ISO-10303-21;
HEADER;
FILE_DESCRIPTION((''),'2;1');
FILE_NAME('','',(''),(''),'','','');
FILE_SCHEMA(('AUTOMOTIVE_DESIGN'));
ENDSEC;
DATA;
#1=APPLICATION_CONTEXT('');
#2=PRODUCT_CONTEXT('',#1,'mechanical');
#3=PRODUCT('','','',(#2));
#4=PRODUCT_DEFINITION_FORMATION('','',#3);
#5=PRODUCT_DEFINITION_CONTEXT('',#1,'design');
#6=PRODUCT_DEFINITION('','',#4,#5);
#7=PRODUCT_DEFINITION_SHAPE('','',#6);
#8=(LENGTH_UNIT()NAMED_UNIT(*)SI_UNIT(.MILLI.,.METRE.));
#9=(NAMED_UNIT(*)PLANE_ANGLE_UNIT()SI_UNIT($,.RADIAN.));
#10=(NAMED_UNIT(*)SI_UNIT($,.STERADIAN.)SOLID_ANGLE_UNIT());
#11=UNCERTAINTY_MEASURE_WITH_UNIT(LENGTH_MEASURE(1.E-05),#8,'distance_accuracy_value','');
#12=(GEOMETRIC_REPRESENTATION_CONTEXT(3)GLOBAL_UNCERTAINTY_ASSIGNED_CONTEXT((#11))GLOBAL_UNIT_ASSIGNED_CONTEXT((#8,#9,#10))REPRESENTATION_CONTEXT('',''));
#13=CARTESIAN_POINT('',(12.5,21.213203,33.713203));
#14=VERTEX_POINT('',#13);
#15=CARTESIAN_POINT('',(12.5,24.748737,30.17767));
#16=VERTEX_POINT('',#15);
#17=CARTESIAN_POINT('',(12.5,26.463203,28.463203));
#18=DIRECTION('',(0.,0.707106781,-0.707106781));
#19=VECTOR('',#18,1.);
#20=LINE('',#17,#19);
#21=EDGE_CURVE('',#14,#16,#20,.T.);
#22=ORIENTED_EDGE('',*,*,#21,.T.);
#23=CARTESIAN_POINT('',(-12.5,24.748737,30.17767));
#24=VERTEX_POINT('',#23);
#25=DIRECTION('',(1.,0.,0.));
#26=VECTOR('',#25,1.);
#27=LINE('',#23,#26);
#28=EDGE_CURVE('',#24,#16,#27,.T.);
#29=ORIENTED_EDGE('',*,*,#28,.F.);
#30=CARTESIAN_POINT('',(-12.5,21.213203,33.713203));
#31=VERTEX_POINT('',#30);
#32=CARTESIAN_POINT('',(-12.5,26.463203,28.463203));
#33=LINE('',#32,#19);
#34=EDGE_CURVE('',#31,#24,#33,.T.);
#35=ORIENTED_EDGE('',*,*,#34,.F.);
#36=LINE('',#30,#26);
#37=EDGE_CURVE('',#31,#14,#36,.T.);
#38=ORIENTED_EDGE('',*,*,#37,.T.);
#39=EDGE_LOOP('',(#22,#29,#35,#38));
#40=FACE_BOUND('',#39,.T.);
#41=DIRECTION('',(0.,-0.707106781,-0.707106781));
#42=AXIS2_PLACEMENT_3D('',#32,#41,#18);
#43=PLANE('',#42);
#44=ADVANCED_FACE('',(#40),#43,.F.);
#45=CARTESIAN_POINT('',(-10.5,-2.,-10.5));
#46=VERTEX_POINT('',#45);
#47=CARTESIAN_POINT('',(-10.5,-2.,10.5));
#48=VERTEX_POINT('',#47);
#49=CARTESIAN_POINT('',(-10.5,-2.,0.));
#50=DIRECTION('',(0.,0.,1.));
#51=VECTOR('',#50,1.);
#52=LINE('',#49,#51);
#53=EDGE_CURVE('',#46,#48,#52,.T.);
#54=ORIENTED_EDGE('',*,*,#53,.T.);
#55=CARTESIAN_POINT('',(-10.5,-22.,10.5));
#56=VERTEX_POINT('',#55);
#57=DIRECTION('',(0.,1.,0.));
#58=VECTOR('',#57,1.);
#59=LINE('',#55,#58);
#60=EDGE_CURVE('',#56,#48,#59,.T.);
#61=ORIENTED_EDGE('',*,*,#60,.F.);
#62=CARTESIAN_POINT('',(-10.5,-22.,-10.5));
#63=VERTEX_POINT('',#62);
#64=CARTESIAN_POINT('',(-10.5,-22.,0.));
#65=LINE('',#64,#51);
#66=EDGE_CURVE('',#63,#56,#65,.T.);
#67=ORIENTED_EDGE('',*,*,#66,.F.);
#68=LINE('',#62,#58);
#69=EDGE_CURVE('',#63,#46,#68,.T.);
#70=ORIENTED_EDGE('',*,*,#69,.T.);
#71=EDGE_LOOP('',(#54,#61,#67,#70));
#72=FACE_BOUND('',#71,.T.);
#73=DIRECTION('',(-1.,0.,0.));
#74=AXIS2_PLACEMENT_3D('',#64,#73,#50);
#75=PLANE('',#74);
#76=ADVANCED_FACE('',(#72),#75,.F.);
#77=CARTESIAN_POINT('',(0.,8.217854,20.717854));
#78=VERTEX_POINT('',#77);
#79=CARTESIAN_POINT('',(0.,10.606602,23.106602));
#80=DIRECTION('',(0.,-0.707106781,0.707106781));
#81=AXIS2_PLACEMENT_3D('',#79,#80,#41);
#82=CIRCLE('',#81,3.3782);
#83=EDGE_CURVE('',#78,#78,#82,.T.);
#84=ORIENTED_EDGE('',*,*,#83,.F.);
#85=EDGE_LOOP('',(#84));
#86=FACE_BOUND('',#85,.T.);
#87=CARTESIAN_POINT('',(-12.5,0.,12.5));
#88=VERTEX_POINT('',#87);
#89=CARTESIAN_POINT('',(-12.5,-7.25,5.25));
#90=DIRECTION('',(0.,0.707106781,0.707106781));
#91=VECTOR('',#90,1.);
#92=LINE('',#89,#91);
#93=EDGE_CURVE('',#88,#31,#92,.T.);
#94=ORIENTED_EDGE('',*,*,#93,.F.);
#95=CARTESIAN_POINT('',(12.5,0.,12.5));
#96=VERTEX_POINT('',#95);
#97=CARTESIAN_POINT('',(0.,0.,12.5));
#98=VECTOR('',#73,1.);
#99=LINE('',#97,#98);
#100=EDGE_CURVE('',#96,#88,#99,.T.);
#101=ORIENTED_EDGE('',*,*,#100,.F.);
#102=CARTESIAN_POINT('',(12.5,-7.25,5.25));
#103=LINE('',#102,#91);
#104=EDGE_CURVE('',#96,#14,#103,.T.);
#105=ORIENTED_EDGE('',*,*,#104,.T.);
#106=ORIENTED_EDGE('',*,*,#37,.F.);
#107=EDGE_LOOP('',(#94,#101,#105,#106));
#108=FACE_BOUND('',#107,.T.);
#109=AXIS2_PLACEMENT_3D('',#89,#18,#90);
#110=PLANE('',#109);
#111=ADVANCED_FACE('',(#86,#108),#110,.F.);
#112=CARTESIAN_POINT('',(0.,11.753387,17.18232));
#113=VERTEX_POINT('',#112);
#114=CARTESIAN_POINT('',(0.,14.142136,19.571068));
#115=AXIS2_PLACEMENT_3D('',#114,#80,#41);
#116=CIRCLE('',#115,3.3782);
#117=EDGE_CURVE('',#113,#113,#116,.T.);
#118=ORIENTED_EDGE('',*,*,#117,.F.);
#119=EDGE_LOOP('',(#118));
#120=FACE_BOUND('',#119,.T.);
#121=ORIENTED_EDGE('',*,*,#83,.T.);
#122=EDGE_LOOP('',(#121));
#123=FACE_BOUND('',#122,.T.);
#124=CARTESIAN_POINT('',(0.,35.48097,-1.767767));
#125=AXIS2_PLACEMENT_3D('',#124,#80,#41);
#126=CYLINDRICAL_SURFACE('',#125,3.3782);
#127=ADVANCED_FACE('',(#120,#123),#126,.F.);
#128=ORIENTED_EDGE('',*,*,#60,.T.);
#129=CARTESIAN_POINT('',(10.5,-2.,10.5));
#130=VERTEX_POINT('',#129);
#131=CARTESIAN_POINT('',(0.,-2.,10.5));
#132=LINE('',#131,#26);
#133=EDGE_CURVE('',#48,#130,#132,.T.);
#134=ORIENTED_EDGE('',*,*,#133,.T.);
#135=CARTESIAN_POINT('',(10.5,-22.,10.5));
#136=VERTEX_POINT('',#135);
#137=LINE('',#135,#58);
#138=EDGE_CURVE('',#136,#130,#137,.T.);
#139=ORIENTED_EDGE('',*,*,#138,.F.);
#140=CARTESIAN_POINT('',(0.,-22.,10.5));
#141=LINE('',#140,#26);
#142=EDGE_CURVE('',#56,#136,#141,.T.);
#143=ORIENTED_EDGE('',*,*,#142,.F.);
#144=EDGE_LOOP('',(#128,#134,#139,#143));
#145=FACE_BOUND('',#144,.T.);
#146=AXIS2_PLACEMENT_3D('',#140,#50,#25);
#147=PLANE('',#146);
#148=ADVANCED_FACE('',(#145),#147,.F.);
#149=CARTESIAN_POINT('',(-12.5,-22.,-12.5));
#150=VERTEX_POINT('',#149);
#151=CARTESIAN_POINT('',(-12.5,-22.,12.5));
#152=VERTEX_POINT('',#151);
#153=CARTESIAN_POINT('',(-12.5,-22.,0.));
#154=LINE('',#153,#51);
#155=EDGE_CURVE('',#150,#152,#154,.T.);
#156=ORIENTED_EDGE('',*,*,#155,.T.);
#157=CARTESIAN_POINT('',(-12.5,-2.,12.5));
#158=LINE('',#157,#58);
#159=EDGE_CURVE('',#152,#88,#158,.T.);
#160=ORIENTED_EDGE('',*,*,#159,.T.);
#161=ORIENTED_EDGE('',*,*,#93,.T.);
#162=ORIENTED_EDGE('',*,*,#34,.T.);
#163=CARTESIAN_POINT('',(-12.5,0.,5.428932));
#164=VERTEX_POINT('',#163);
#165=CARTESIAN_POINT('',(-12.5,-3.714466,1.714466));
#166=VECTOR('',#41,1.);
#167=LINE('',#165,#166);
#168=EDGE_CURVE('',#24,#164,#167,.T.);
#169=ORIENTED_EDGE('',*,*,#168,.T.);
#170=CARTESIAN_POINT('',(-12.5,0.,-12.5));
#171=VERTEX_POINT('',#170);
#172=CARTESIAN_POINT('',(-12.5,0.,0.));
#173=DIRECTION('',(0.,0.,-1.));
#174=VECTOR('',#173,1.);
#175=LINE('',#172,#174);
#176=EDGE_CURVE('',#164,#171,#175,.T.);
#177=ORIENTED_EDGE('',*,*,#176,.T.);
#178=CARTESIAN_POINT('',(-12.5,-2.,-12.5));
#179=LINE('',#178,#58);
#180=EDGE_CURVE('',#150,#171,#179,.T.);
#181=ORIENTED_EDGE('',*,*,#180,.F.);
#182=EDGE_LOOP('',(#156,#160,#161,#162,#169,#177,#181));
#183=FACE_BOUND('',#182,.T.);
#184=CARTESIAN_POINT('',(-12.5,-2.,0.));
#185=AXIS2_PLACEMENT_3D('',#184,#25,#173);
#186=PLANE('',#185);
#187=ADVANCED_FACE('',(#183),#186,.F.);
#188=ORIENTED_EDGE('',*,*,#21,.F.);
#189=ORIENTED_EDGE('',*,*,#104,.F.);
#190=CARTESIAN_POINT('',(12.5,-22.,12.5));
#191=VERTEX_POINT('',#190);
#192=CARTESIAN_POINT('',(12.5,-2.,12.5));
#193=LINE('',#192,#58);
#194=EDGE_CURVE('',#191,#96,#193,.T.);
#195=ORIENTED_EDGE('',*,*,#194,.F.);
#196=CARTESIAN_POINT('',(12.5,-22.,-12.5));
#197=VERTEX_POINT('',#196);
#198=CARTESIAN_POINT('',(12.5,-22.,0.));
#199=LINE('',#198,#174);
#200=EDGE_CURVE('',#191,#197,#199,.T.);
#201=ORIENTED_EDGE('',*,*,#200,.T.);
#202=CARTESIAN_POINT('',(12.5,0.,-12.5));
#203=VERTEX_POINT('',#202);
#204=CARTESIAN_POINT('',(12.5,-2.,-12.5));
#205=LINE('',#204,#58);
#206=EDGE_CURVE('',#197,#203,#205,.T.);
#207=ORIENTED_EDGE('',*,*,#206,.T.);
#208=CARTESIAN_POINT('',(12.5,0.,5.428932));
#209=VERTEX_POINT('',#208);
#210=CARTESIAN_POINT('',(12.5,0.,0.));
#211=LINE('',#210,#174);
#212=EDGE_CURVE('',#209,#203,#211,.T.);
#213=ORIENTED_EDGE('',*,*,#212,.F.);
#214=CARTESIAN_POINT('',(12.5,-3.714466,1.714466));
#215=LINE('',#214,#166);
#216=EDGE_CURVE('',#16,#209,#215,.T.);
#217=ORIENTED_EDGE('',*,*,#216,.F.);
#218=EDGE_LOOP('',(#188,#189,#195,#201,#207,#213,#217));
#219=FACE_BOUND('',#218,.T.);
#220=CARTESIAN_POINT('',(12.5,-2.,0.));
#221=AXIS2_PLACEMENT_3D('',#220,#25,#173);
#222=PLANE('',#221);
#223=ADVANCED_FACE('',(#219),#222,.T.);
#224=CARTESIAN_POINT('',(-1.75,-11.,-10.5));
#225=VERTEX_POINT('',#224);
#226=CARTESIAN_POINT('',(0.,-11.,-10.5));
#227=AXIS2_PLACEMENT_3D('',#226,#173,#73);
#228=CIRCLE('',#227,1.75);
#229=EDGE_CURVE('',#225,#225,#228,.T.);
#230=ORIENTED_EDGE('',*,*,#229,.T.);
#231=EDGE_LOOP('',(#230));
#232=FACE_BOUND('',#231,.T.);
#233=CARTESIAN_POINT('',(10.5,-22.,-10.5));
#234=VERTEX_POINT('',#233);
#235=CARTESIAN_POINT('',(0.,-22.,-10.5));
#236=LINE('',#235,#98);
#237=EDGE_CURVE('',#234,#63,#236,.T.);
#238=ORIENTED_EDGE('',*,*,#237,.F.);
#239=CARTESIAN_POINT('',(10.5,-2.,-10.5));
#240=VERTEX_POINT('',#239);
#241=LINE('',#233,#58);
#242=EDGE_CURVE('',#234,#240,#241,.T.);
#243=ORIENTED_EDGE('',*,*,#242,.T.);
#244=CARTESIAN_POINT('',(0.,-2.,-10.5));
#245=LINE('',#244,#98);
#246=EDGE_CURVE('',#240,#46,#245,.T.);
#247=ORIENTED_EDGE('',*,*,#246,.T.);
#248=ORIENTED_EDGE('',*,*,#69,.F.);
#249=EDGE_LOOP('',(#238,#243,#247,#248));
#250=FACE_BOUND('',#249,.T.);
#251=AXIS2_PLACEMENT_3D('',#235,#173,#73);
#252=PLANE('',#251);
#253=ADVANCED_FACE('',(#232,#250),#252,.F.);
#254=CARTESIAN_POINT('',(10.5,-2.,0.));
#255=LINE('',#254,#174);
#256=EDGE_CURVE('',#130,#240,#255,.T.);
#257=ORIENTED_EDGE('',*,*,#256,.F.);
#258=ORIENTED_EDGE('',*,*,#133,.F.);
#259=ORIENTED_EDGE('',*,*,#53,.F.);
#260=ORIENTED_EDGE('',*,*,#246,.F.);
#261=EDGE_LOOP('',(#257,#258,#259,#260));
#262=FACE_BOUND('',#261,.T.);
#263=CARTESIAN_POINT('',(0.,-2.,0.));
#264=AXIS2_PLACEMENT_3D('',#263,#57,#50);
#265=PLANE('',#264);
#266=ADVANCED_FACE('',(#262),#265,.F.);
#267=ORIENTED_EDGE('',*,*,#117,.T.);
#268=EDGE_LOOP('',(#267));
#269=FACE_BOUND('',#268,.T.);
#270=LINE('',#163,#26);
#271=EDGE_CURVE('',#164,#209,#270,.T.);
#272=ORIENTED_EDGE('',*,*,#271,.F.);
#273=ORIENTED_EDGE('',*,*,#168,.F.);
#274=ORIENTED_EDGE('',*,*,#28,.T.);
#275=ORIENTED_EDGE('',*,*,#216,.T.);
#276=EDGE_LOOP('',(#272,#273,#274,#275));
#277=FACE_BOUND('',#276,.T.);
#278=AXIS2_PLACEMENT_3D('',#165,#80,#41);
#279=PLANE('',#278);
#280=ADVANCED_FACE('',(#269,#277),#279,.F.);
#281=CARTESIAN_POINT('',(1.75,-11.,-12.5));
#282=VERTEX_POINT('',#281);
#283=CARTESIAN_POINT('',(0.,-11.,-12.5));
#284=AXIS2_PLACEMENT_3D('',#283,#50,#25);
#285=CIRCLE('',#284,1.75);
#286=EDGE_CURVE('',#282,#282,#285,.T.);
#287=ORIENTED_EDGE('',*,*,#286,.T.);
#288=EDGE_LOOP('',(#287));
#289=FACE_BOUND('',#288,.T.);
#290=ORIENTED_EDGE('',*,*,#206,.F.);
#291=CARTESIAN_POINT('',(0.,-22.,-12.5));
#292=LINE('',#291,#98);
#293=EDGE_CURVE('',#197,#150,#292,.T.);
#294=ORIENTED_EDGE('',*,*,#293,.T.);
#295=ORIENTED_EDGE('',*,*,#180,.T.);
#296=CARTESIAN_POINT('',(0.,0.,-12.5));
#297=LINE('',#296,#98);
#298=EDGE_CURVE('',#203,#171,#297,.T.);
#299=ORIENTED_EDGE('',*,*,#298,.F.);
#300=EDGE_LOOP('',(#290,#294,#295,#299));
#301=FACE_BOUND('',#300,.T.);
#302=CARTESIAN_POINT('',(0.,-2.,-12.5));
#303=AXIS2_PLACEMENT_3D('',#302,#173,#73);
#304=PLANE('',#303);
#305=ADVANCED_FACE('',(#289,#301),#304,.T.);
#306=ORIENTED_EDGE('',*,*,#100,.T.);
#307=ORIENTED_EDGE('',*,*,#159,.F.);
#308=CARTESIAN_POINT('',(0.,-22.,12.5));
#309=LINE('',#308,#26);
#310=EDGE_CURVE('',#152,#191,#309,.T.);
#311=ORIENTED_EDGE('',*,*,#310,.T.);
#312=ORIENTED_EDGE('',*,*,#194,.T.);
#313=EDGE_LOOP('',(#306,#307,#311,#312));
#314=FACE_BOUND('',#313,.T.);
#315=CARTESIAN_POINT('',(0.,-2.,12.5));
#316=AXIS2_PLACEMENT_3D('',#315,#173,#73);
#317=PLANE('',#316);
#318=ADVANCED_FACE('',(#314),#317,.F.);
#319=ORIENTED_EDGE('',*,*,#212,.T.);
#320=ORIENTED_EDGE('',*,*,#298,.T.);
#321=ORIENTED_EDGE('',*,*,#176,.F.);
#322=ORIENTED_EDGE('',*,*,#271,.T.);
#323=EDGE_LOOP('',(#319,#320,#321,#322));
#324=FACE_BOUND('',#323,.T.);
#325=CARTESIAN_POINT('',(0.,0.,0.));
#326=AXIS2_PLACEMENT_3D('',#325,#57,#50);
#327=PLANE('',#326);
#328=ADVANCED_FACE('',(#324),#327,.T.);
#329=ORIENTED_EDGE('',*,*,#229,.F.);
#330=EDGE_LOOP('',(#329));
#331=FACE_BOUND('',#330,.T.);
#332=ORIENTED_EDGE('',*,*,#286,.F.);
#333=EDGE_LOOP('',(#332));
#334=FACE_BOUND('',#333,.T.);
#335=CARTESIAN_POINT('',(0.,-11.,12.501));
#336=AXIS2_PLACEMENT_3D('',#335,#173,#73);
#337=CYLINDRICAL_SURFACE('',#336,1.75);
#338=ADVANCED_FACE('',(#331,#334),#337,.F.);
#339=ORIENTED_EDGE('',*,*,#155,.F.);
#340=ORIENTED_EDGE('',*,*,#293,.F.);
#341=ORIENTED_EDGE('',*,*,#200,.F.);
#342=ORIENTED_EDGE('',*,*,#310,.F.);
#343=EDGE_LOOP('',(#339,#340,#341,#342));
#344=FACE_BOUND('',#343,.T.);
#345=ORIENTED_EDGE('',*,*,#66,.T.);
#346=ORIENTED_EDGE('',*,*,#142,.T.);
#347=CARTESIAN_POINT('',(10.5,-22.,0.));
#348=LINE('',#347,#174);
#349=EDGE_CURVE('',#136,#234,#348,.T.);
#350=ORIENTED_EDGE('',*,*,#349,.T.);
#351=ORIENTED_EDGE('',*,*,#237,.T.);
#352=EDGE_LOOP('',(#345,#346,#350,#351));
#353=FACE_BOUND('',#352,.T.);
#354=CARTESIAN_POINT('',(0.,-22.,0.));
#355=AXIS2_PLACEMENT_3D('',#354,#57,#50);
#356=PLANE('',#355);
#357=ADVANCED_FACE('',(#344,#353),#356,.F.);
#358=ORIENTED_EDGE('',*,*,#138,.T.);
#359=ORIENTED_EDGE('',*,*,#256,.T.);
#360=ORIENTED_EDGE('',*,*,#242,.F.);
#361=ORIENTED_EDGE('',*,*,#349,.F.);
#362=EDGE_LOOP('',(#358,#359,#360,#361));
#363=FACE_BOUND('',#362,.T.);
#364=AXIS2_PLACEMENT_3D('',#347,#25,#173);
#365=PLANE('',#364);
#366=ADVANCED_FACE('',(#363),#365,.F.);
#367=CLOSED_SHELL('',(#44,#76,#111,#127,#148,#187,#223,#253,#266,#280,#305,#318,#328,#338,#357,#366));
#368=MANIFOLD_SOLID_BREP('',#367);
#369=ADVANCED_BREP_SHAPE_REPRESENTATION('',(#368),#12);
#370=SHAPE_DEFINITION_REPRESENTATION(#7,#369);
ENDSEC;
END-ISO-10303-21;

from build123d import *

# Parameters (mm, degrees)
SKETCH1_W           = 25
SKETCH1_H           = 25
SKETCH1_W_2         = 21
SKETCH1_H_2         = 21
BOSS_EXTRUDE1_DEPTH = 2
BOSS_EXTRUDE2_START = -2
SKETCH1_3_W         = 25
SKETCH1_3_H         = 25
SKETCH1_3_W_2       = 21
SKETCH1_3_H_2       = 21
BOSS_EXTRUDE2_DEPTH = 20
CUT_EXTRUDE1_REACH  = 37.57
SKETCH2_R           = 1.75
BOSS_EXTRUDE3_START = 12.5
BOSS_EXTRUDE3_DEPTH = 25
SKETCH4_R           = 3.3782
CUT_EXTRUDE2_DEPTH  = 44.259672441


with BuildPart() as part:
    # Sketch1 → Boss-Extrude1 (new body)
    # profile 1 of 2: a face of its own
    with BuildSketch(Plane(origin=(0, 0, 0), x_dir=(1, 0, 0), z_dir=(0, 1, 0))):
        Rectangle(SKETCH1_W, SKETCH1_H)
        Rectangle(SKETCH1_W_2, SKETCH1_H_2, mode=Mode.SUBTRACT)
    # profile 2 of 2: a face of its own
    with BuildSketch(Plane(origin=(0, 0, 0), x_dir=(1, 0, 0), z_dir=(0, 1, 0))):
        Rectangle(SKETCH1_W_2, SKETCH1_H_2)
    extrude(amount=-BOSS_EXTRUDE1_DEPTH)

    # Sketch1<3> → Boss-Extrude2 (add)
    with BuildSketch(Plane(origin=(0, 0, 0), x_dir=(1, 0, 0), z_dir=(0, 1, 0)).offset(BOSS_EXTRUDE2_START)):
        Rectangle(SKETCH1_3_W, SKETCH1_3_H)
        Rectangle(SKETCH1_3_W_2, SKETCH1_3_H_2, mode=Mode.SUBTRACT)
    extrude(amount=-BOSS_EXTRUDE2_DEPTH)

    # Sketch2 → Cut-Extrude1 (cut, up to next)
    with BuildSketch(Plane.XY.offset(-12.5), mode=Mode.PRIVATE) as cut_extrude1_sk1:
        with Locations(Location((0, -11, 0), (0, 0, 180))):
            Circle(SKETCH2_R)
    cut_extrude1_tool1 = extrude(cut_extrude1_sk1.sketch, amount=CUT_EXTRUDE1_REACH, mode=Mode.PRIVATE) & part.part
    add(cut_extrude1_tool1.solids().sort_by_distance((0, -11, -12.5))[0], mode=Mode.SUBTRACT)

    # Sketch3 → Boss-Extrude3 (add, through all)
    with BuildSketch(Plane(origin=(0, 0, 0), x_dir=(0, 0, -1), z_dir=(1, 0, 0)).offset(BOSS_EXTRUDE3_START)):
        Polygon((-12.5, 0), (-33.713203436, 21.213203436), (-30.17766953, 24.748737342), (-5.428932188, 0), align=None)
    extrude(amount=-BOSS_EXTRUDE3_DEPTH)

    # Sketch4 → Cut-Extrude2 (cut, through all)
    with BuildSketch(Plane(origin=(0, -6.25, 6.25), x_dir=(1, 0, 0), z_dir=(0, -0.7071067811865467, 0.7071067811865485))):
        with Locations(Location((0, 23.838834765, 0), (0, 0, 270))):
            Circle(SKETCH4_R)
    extrude(amount=-CUT_EXTRUDE2_DEPTH, mode=Mode.SUBTRACT)


solid = part.part
